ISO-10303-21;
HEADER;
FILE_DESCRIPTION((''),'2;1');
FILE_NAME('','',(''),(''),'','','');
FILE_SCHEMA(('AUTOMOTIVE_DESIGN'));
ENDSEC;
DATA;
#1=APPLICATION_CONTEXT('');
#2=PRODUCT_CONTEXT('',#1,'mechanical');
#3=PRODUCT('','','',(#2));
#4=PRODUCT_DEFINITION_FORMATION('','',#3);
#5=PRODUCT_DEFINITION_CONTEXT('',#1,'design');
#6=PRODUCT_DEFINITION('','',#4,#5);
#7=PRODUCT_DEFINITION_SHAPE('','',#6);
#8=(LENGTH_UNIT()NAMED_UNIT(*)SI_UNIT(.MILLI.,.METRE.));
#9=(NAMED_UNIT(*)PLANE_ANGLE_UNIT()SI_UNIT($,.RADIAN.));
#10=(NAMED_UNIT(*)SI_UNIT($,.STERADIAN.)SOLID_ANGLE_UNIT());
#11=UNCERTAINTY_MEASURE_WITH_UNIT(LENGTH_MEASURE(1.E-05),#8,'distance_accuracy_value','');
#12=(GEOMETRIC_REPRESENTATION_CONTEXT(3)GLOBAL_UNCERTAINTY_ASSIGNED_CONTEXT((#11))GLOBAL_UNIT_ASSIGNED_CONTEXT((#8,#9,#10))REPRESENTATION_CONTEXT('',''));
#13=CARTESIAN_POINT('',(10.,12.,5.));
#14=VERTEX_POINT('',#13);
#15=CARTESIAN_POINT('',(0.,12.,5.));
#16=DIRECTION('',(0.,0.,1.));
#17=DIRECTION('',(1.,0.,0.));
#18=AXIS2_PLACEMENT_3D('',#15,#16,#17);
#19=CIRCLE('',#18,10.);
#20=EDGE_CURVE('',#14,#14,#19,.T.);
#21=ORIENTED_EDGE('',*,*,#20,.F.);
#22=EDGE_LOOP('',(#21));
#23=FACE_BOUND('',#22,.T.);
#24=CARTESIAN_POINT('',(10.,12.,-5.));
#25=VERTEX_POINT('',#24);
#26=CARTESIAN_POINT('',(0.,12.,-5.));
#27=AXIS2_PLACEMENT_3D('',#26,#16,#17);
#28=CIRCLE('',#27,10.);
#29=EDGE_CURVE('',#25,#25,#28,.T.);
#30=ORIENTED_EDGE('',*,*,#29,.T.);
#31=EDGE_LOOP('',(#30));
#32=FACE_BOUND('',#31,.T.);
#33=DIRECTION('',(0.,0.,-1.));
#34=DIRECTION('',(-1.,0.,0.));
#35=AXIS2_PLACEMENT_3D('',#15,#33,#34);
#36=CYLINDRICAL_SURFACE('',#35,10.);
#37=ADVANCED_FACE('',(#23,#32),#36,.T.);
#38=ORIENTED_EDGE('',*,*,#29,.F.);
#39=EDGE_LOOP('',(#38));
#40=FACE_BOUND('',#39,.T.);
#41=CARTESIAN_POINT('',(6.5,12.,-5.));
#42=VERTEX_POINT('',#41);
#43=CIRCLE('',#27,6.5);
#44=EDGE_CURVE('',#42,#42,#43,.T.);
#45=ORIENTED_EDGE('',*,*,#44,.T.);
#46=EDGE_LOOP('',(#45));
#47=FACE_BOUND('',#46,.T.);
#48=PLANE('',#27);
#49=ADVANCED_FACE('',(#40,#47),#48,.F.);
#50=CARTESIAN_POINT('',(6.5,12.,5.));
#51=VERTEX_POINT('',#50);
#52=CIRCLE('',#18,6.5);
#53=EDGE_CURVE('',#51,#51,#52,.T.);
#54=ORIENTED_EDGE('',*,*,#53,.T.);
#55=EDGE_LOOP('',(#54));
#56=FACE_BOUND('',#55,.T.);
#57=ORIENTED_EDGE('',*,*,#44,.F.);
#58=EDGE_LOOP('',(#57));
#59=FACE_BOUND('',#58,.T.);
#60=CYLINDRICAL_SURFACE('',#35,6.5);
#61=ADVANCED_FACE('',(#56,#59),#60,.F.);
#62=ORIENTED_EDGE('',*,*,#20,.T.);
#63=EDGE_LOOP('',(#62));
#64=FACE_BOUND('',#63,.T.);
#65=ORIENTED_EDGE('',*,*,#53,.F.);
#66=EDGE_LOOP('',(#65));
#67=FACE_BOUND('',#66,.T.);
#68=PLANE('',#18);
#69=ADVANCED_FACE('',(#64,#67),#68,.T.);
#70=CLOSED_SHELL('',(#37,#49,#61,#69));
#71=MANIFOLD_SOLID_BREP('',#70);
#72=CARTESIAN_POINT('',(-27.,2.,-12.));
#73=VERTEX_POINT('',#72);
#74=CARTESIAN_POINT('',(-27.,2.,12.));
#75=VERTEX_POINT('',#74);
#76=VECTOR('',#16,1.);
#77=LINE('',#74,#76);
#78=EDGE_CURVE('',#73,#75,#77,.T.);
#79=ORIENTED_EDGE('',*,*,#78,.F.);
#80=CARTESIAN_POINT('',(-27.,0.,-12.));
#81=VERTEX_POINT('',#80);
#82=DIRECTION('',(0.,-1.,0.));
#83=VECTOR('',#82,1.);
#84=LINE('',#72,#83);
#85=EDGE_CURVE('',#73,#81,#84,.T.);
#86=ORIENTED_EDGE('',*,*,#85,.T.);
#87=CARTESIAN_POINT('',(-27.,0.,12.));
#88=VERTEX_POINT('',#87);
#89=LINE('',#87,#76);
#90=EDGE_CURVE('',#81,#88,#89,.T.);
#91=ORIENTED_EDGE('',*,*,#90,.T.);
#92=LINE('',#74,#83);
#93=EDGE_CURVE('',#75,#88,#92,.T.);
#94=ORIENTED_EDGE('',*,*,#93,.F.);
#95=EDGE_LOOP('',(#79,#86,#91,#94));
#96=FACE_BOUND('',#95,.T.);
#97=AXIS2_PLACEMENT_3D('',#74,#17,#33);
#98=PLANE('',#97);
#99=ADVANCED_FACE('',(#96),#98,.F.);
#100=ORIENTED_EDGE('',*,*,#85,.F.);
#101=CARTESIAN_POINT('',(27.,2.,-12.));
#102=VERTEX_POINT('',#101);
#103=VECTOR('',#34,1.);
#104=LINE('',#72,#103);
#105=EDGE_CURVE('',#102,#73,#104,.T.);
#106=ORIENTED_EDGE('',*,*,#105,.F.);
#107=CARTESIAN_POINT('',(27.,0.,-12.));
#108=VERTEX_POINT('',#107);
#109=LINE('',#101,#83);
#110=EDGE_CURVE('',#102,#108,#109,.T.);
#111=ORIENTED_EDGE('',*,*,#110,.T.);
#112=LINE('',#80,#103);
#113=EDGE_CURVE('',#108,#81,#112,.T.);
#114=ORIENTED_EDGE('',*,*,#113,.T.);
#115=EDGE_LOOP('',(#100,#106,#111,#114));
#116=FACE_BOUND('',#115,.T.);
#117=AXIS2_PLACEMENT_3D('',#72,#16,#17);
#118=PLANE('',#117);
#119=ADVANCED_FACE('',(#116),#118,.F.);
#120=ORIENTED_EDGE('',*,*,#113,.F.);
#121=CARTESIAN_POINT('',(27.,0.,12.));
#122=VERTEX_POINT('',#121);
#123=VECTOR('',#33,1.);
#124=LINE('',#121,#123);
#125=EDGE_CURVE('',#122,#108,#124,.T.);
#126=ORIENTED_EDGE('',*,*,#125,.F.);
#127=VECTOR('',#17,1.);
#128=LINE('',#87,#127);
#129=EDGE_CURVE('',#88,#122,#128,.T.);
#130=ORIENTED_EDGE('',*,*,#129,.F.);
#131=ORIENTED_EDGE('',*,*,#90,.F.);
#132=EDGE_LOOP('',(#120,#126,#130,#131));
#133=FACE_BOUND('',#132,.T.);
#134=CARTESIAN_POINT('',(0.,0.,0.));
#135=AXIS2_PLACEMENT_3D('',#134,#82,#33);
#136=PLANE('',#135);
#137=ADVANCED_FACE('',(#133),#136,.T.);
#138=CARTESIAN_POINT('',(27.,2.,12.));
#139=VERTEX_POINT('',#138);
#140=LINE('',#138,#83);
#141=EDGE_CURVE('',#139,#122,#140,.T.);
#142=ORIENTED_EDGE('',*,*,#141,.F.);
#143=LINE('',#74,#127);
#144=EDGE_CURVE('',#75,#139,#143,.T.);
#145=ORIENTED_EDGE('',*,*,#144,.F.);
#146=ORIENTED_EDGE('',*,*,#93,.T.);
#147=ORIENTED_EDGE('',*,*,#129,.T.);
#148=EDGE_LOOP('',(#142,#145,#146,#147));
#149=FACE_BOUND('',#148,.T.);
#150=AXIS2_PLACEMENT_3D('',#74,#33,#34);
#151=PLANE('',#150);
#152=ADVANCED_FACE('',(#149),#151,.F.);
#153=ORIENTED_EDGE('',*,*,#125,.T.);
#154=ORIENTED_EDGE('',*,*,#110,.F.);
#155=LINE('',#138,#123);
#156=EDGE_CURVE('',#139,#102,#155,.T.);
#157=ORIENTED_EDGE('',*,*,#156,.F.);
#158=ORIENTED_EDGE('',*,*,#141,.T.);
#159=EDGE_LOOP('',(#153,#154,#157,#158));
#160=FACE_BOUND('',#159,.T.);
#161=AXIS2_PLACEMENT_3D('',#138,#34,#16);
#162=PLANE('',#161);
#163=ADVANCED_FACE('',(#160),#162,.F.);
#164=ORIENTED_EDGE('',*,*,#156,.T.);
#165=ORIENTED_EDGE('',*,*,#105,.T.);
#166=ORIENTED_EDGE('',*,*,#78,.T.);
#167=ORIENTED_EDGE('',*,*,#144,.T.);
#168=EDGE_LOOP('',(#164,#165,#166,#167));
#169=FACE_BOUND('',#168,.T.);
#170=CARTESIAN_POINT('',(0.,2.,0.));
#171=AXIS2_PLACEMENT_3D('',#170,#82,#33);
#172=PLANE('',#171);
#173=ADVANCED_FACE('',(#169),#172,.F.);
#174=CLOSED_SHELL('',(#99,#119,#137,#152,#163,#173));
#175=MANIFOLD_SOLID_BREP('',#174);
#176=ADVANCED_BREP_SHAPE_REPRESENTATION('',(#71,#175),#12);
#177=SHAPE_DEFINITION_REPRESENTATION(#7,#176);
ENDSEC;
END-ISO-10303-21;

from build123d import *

# Parameters (mm, degrees)
SKETCH1_W           = 54
SKETCH1_H           = 24
BOSS_EXTRUDE1_DEPTH = 2
SKETCH2_R           = 10
SKETCH2_R_2         = 6.5
BOSS_EXTRUDE2_DEPTH = 5


with BuildPart() as part:
    # Sketch1 → Boss-Extrude1 (new body)
    with BuildSketch(Plane(origin=(0, 0, 0), x_dir=(1, 0, 0), z_dir=(0, 1, 0))):
        Rectangle(SKETCH1_W, SKETCH1_H)
    extrude(amount=BOSS_EXTRUDE1_DEPTH)


with BuildPart() as body_2:
    # Sketch2 → Boss-Extrude2 (new body, symmetric)
    with BuildSketch(Plane.XY):
        with Locations((0, 12)):
            Circle(SKETCH2_R)
        with Locations((0, 12)):
            Circle(SKETCH2_R_2, mode=Mode.SUBTRACT)
    extrude(amount=BOSS_EXTRUDE2_DEPTH, both=True)


solid = Compound([part.part, body_2.part])
